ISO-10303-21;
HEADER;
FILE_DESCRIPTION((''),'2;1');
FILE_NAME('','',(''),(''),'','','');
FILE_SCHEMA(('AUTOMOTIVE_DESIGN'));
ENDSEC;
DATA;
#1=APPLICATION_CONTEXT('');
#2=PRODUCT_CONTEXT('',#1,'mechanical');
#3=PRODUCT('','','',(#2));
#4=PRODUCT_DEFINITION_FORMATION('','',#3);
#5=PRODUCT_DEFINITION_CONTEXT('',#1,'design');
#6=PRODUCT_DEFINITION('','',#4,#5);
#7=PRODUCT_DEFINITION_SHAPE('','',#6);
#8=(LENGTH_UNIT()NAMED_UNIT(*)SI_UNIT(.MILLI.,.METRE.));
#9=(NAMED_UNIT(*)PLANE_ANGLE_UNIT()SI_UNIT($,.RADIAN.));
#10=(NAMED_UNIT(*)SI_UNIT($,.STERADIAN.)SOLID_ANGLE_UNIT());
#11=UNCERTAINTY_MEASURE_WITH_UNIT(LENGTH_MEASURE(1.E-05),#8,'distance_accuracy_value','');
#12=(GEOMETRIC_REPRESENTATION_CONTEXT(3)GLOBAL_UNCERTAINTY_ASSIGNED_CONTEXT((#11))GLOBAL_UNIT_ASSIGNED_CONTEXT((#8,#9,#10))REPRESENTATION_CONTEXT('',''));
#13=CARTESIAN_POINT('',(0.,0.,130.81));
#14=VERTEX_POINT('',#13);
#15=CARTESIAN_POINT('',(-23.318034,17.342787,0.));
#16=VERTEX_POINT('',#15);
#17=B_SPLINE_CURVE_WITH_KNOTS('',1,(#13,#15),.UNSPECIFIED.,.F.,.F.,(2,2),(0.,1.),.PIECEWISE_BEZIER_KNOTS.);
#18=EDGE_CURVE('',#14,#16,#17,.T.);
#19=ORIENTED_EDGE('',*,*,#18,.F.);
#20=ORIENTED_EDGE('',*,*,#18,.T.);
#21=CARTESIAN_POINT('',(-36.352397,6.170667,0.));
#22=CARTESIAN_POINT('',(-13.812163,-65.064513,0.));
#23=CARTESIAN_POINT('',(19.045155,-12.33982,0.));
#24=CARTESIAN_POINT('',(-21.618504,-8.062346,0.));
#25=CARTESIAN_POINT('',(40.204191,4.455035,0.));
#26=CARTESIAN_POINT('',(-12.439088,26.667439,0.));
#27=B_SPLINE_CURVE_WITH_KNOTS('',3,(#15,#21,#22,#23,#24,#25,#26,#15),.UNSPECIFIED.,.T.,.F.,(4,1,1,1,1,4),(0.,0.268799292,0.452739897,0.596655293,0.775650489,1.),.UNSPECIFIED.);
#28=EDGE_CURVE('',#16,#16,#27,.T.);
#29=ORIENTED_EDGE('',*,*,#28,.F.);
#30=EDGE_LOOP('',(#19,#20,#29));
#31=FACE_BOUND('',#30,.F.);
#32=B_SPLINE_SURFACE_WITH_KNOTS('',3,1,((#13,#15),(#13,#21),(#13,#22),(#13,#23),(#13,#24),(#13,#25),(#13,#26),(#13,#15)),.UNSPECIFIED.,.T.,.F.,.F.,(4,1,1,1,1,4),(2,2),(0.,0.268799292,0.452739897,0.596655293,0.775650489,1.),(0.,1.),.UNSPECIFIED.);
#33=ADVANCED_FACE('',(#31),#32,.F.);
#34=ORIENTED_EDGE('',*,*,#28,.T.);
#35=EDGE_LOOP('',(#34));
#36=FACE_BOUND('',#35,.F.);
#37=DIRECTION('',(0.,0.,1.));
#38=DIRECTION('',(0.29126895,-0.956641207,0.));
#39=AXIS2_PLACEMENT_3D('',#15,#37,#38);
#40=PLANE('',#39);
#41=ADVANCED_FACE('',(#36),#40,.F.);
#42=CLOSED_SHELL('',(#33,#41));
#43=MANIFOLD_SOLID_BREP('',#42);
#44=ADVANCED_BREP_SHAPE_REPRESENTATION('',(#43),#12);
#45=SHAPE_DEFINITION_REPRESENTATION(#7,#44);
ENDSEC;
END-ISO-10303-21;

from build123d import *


with BuildPart() as f3:
    # F0 (on Top) → F3 section 0
    with BuildSketch(Plane.XY, mode=Mode.PRIVATE) as f3_s0:
        with BuildLine():
            add(Edge.make_bspline(
                [(-23.3180336654, 17.342787236), (-36.3523968045, 6.1706669098), (-13.8121633779, -65.0645130605), (19.045154779, -12.339819852), (-21.6185041699, -8.0623463761), (40.2041914011, 4.455034768), (-12.4390876356, 26.6674387567), (-23.3180336654, 17.342787236)],
                knots=[0, 0, 0, 0, 0.2687992921, 0.4527398969, 0.5966552928, 0.7756504894, 1, 1, 1, 1], degree=3))
        make_face()
    loft([Vertex(0, 0, 130.81), f3_s0.sketch])


solid = f3.part
